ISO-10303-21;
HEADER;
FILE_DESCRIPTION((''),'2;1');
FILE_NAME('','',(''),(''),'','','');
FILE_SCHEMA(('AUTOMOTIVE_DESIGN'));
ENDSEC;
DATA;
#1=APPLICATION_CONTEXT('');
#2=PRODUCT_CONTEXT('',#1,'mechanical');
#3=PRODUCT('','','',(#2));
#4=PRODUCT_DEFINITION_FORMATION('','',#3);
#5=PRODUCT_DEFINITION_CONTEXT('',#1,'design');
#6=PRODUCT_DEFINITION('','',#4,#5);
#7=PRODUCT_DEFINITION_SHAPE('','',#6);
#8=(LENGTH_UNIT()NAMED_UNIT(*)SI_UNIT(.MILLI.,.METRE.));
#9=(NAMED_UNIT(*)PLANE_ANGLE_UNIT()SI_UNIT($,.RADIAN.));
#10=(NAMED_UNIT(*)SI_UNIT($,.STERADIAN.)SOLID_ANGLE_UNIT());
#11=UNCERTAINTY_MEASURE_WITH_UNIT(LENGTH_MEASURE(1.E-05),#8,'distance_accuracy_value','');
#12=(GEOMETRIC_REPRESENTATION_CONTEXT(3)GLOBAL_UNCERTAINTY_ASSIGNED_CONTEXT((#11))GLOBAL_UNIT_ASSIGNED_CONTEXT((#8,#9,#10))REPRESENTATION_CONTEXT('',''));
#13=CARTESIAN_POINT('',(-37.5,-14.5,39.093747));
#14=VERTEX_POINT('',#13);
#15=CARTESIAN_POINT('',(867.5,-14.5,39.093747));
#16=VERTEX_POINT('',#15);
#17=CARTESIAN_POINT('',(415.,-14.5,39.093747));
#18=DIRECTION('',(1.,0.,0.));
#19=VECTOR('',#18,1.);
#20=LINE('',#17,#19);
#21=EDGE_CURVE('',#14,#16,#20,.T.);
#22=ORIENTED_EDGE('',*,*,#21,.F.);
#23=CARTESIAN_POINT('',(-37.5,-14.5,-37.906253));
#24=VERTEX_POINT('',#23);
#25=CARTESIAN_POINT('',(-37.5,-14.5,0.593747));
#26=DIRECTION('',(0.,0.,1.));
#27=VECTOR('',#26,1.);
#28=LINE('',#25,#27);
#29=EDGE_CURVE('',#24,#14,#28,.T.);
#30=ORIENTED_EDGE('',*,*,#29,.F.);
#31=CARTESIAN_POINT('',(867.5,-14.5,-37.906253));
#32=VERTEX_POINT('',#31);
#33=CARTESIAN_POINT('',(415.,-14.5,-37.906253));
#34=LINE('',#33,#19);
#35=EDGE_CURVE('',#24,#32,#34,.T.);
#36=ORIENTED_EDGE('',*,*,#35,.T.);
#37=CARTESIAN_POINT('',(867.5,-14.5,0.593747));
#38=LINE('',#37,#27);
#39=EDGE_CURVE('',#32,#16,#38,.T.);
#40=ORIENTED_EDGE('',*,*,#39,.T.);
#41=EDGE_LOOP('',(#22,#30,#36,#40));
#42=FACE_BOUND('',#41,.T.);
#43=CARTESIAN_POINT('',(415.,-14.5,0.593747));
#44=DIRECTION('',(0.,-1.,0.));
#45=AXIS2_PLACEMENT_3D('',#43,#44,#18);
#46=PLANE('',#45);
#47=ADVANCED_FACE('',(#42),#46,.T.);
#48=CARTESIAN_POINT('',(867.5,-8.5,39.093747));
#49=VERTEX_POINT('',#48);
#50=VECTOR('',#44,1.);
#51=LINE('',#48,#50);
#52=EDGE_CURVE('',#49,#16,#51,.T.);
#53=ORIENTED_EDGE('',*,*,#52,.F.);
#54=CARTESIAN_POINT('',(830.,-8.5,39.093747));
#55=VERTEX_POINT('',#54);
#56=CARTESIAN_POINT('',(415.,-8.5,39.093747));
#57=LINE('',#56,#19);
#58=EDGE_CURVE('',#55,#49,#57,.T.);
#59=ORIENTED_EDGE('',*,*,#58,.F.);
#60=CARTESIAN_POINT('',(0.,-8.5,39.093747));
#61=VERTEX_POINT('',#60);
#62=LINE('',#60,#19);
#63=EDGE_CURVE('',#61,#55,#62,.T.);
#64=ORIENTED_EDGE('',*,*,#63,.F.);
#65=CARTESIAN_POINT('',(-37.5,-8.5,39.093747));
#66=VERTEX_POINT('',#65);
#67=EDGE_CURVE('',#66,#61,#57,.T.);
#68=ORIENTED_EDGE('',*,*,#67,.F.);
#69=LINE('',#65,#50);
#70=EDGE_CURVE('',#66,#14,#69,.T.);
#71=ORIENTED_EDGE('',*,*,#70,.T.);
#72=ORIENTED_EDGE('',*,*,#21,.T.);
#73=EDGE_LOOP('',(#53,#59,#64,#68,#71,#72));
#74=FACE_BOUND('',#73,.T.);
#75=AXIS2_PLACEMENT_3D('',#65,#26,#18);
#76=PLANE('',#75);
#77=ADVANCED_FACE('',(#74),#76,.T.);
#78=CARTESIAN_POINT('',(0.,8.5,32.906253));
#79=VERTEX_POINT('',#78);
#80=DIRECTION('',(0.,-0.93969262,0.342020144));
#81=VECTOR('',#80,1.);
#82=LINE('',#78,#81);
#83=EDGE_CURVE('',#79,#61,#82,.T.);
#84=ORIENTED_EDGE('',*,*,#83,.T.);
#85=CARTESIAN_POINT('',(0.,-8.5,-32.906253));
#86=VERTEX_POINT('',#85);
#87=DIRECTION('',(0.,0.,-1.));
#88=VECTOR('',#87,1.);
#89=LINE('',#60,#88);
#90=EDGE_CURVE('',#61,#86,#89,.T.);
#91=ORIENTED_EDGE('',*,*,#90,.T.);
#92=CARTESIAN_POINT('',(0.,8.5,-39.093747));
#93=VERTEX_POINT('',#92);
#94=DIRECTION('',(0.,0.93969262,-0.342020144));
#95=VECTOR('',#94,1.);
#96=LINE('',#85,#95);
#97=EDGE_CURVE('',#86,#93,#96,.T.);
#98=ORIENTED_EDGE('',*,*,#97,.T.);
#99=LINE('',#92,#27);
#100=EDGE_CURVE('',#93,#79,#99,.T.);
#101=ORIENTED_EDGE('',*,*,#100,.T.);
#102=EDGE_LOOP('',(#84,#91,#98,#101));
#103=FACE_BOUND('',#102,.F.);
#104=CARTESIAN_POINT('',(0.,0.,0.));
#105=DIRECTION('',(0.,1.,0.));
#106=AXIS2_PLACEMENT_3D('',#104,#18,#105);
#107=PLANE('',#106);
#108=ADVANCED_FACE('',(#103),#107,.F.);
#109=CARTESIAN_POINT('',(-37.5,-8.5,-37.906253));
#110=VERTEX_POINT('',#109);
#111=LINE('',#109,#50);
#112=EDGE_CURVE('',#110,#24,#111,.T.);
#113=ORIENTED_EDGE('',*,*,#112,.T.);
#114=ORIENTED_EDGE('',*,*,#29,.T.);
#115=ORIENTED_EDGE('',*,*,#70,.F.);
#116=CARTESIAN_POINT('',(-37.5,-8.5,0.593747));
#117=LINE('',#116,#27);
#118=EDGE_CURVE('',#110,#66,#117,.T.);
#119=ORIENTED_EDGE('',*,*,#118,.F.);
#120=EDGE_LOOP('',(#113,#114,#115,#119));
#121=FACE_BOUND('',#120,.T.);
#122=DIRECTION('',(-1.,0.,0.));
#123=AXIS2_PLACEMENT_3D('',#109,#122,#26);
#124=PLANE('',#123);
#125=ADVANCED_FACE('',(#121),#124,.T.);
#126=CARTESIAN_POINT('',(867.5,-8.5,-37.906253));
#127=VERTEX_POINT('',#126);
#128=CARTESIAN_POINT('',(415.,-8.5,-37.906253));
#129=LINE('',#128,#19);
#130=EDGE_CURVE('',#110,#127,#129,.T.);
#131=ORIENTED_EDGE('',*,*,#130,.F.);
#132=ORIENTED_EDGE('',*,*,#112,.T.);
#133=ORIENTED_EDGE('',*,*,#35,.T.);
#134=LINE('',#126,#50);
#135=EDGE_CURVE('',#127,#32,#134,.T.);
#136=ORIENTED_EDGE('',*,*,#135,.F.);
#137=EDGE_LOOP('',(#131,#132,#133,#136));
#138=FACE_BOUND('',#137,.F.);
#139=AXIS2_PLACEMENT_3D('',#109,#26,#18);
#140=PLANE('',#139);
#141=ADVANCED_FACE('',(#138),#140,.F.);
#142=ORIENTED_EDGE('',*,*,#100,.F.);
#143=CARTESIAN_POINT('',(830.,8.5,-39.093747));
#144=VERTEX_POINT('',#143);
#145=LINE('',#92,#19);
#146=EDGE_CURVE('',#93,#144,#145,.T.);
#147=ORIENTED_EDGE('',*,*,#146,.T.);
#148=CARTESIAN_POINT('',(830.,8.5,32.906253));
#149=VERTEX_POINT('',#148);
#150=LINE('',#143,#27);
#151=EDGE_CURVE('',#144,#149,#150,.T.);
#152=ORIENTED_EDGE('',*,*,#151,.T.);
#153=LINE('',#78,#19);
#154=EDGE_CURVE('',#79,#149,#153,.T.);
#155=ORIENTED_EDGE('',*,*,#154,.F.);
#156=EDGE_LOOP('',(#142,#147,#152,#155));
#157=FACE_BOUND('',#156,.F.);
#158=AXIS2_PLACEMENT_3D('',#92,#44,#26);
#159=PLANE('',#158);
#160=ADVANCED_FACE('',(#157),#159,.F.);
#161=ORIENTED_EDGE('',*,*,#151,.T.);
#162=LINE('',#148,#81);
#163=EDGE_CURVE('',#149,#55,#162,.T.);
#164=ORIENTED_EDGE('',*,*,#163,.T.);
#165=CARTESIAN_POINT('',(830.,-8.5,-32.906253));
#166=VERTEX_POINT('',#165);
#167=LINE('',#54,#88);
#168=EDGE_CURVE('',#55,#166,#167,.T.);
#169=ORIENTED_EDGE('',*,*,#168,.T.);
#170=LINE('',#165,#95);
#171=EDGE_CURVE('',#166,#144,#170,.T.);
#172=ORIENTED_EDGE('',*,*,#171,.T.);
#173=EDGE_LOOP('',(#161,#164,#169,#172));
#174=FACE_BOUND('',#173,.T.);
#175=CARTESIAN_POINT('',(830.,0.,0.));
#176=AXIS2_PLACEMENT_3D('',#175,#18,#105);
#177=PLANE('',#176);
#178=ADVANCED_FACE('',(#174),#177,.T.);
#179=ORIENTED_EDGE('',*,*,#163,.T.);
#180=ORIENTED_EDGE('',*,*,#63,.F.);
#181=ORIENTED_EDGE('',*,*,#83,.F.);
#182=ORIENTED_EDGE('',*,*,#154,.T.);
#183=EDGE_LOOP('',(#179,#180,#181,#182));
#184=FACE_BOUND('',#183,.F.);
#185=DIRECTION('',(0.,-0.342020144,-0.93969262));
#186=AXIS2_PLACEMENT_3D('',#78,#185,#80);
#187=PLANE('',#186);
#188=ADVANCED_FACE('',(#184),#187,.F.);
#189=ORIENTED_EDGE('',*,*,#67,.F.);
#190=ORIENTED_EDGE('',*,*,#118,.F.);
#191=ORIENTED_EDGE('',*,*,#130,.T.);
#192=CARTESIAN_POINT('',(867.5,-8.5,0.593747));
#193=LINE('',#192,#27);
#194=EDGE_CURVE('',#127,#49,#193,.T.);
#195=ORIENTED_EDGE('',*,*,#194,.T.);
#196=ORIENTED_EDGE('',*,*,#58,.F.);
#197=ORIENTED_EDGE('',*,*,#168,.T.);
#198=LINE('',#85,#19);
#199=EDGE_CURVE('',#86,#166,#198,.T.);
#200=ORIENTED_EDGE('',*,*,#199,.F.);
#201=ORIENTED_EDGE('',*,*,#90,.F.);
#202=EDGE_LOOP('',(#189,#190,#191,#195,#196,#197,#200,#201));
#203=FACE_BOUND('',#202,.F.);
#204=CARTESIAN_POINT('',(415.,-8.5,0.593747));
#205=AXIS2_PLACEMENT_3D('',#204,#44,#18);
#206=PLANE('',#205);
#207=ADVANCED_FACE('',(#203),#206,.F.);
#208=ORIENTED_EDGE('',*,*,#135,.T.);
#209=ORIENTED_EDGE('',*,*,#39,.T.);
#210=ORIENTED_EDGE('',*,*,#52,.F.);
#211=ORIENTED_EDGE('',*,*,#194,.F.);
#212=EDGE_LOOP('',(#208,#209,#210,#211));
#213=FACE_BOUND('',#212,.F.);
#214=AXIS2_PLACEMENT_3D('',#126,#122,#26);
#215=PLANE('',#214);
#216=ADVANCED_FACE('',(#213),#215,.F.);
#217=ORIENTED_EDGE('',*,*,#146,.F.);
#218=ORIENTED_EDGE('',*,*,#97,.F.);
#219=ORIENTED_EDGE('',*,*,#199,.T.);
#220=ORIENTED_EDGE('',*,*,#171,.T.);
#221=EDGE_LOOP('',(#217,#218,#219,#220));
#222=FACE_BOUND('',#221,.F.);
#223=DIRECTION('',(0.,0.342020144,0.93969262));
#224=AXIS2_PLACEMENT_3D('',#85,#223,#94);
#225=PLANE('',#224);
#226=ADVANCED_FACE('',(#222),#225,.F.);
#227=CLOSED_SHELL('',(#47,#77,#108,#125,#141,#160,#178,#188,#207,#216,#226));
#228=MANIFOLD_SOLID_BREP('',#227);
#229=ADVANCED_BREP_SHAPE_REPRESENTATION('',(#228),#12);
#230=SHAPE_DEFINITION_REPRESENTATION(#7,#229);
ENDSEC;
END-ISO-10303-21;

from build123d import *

# Parameters (mm, degrees)
F1_DEPTH = 830
F2_W     = 905
F2_H     = 77
F3_DEPTH = 6


with BuildPart() as f1:
    # F0 (on Right) → F1 (new body)
    with BuildSketch(Plane.YZ):
        Polygon((8.5, 32.906253), (-8.5, 39.093747), (-8.5, -32.906253), (8.5, -39.093747), align=None)
    extrude(amount=F1_DEPTH)

    # F2 (on face) → F3 (join)
    with BuildSketch(Plane.XZ.offset(8.5)):
        with Locations((415, 0.593747)):
            Rectangle(F2_W, F2_H)
    extrude(amount=F3_DEPTH)


solid = f1.part
